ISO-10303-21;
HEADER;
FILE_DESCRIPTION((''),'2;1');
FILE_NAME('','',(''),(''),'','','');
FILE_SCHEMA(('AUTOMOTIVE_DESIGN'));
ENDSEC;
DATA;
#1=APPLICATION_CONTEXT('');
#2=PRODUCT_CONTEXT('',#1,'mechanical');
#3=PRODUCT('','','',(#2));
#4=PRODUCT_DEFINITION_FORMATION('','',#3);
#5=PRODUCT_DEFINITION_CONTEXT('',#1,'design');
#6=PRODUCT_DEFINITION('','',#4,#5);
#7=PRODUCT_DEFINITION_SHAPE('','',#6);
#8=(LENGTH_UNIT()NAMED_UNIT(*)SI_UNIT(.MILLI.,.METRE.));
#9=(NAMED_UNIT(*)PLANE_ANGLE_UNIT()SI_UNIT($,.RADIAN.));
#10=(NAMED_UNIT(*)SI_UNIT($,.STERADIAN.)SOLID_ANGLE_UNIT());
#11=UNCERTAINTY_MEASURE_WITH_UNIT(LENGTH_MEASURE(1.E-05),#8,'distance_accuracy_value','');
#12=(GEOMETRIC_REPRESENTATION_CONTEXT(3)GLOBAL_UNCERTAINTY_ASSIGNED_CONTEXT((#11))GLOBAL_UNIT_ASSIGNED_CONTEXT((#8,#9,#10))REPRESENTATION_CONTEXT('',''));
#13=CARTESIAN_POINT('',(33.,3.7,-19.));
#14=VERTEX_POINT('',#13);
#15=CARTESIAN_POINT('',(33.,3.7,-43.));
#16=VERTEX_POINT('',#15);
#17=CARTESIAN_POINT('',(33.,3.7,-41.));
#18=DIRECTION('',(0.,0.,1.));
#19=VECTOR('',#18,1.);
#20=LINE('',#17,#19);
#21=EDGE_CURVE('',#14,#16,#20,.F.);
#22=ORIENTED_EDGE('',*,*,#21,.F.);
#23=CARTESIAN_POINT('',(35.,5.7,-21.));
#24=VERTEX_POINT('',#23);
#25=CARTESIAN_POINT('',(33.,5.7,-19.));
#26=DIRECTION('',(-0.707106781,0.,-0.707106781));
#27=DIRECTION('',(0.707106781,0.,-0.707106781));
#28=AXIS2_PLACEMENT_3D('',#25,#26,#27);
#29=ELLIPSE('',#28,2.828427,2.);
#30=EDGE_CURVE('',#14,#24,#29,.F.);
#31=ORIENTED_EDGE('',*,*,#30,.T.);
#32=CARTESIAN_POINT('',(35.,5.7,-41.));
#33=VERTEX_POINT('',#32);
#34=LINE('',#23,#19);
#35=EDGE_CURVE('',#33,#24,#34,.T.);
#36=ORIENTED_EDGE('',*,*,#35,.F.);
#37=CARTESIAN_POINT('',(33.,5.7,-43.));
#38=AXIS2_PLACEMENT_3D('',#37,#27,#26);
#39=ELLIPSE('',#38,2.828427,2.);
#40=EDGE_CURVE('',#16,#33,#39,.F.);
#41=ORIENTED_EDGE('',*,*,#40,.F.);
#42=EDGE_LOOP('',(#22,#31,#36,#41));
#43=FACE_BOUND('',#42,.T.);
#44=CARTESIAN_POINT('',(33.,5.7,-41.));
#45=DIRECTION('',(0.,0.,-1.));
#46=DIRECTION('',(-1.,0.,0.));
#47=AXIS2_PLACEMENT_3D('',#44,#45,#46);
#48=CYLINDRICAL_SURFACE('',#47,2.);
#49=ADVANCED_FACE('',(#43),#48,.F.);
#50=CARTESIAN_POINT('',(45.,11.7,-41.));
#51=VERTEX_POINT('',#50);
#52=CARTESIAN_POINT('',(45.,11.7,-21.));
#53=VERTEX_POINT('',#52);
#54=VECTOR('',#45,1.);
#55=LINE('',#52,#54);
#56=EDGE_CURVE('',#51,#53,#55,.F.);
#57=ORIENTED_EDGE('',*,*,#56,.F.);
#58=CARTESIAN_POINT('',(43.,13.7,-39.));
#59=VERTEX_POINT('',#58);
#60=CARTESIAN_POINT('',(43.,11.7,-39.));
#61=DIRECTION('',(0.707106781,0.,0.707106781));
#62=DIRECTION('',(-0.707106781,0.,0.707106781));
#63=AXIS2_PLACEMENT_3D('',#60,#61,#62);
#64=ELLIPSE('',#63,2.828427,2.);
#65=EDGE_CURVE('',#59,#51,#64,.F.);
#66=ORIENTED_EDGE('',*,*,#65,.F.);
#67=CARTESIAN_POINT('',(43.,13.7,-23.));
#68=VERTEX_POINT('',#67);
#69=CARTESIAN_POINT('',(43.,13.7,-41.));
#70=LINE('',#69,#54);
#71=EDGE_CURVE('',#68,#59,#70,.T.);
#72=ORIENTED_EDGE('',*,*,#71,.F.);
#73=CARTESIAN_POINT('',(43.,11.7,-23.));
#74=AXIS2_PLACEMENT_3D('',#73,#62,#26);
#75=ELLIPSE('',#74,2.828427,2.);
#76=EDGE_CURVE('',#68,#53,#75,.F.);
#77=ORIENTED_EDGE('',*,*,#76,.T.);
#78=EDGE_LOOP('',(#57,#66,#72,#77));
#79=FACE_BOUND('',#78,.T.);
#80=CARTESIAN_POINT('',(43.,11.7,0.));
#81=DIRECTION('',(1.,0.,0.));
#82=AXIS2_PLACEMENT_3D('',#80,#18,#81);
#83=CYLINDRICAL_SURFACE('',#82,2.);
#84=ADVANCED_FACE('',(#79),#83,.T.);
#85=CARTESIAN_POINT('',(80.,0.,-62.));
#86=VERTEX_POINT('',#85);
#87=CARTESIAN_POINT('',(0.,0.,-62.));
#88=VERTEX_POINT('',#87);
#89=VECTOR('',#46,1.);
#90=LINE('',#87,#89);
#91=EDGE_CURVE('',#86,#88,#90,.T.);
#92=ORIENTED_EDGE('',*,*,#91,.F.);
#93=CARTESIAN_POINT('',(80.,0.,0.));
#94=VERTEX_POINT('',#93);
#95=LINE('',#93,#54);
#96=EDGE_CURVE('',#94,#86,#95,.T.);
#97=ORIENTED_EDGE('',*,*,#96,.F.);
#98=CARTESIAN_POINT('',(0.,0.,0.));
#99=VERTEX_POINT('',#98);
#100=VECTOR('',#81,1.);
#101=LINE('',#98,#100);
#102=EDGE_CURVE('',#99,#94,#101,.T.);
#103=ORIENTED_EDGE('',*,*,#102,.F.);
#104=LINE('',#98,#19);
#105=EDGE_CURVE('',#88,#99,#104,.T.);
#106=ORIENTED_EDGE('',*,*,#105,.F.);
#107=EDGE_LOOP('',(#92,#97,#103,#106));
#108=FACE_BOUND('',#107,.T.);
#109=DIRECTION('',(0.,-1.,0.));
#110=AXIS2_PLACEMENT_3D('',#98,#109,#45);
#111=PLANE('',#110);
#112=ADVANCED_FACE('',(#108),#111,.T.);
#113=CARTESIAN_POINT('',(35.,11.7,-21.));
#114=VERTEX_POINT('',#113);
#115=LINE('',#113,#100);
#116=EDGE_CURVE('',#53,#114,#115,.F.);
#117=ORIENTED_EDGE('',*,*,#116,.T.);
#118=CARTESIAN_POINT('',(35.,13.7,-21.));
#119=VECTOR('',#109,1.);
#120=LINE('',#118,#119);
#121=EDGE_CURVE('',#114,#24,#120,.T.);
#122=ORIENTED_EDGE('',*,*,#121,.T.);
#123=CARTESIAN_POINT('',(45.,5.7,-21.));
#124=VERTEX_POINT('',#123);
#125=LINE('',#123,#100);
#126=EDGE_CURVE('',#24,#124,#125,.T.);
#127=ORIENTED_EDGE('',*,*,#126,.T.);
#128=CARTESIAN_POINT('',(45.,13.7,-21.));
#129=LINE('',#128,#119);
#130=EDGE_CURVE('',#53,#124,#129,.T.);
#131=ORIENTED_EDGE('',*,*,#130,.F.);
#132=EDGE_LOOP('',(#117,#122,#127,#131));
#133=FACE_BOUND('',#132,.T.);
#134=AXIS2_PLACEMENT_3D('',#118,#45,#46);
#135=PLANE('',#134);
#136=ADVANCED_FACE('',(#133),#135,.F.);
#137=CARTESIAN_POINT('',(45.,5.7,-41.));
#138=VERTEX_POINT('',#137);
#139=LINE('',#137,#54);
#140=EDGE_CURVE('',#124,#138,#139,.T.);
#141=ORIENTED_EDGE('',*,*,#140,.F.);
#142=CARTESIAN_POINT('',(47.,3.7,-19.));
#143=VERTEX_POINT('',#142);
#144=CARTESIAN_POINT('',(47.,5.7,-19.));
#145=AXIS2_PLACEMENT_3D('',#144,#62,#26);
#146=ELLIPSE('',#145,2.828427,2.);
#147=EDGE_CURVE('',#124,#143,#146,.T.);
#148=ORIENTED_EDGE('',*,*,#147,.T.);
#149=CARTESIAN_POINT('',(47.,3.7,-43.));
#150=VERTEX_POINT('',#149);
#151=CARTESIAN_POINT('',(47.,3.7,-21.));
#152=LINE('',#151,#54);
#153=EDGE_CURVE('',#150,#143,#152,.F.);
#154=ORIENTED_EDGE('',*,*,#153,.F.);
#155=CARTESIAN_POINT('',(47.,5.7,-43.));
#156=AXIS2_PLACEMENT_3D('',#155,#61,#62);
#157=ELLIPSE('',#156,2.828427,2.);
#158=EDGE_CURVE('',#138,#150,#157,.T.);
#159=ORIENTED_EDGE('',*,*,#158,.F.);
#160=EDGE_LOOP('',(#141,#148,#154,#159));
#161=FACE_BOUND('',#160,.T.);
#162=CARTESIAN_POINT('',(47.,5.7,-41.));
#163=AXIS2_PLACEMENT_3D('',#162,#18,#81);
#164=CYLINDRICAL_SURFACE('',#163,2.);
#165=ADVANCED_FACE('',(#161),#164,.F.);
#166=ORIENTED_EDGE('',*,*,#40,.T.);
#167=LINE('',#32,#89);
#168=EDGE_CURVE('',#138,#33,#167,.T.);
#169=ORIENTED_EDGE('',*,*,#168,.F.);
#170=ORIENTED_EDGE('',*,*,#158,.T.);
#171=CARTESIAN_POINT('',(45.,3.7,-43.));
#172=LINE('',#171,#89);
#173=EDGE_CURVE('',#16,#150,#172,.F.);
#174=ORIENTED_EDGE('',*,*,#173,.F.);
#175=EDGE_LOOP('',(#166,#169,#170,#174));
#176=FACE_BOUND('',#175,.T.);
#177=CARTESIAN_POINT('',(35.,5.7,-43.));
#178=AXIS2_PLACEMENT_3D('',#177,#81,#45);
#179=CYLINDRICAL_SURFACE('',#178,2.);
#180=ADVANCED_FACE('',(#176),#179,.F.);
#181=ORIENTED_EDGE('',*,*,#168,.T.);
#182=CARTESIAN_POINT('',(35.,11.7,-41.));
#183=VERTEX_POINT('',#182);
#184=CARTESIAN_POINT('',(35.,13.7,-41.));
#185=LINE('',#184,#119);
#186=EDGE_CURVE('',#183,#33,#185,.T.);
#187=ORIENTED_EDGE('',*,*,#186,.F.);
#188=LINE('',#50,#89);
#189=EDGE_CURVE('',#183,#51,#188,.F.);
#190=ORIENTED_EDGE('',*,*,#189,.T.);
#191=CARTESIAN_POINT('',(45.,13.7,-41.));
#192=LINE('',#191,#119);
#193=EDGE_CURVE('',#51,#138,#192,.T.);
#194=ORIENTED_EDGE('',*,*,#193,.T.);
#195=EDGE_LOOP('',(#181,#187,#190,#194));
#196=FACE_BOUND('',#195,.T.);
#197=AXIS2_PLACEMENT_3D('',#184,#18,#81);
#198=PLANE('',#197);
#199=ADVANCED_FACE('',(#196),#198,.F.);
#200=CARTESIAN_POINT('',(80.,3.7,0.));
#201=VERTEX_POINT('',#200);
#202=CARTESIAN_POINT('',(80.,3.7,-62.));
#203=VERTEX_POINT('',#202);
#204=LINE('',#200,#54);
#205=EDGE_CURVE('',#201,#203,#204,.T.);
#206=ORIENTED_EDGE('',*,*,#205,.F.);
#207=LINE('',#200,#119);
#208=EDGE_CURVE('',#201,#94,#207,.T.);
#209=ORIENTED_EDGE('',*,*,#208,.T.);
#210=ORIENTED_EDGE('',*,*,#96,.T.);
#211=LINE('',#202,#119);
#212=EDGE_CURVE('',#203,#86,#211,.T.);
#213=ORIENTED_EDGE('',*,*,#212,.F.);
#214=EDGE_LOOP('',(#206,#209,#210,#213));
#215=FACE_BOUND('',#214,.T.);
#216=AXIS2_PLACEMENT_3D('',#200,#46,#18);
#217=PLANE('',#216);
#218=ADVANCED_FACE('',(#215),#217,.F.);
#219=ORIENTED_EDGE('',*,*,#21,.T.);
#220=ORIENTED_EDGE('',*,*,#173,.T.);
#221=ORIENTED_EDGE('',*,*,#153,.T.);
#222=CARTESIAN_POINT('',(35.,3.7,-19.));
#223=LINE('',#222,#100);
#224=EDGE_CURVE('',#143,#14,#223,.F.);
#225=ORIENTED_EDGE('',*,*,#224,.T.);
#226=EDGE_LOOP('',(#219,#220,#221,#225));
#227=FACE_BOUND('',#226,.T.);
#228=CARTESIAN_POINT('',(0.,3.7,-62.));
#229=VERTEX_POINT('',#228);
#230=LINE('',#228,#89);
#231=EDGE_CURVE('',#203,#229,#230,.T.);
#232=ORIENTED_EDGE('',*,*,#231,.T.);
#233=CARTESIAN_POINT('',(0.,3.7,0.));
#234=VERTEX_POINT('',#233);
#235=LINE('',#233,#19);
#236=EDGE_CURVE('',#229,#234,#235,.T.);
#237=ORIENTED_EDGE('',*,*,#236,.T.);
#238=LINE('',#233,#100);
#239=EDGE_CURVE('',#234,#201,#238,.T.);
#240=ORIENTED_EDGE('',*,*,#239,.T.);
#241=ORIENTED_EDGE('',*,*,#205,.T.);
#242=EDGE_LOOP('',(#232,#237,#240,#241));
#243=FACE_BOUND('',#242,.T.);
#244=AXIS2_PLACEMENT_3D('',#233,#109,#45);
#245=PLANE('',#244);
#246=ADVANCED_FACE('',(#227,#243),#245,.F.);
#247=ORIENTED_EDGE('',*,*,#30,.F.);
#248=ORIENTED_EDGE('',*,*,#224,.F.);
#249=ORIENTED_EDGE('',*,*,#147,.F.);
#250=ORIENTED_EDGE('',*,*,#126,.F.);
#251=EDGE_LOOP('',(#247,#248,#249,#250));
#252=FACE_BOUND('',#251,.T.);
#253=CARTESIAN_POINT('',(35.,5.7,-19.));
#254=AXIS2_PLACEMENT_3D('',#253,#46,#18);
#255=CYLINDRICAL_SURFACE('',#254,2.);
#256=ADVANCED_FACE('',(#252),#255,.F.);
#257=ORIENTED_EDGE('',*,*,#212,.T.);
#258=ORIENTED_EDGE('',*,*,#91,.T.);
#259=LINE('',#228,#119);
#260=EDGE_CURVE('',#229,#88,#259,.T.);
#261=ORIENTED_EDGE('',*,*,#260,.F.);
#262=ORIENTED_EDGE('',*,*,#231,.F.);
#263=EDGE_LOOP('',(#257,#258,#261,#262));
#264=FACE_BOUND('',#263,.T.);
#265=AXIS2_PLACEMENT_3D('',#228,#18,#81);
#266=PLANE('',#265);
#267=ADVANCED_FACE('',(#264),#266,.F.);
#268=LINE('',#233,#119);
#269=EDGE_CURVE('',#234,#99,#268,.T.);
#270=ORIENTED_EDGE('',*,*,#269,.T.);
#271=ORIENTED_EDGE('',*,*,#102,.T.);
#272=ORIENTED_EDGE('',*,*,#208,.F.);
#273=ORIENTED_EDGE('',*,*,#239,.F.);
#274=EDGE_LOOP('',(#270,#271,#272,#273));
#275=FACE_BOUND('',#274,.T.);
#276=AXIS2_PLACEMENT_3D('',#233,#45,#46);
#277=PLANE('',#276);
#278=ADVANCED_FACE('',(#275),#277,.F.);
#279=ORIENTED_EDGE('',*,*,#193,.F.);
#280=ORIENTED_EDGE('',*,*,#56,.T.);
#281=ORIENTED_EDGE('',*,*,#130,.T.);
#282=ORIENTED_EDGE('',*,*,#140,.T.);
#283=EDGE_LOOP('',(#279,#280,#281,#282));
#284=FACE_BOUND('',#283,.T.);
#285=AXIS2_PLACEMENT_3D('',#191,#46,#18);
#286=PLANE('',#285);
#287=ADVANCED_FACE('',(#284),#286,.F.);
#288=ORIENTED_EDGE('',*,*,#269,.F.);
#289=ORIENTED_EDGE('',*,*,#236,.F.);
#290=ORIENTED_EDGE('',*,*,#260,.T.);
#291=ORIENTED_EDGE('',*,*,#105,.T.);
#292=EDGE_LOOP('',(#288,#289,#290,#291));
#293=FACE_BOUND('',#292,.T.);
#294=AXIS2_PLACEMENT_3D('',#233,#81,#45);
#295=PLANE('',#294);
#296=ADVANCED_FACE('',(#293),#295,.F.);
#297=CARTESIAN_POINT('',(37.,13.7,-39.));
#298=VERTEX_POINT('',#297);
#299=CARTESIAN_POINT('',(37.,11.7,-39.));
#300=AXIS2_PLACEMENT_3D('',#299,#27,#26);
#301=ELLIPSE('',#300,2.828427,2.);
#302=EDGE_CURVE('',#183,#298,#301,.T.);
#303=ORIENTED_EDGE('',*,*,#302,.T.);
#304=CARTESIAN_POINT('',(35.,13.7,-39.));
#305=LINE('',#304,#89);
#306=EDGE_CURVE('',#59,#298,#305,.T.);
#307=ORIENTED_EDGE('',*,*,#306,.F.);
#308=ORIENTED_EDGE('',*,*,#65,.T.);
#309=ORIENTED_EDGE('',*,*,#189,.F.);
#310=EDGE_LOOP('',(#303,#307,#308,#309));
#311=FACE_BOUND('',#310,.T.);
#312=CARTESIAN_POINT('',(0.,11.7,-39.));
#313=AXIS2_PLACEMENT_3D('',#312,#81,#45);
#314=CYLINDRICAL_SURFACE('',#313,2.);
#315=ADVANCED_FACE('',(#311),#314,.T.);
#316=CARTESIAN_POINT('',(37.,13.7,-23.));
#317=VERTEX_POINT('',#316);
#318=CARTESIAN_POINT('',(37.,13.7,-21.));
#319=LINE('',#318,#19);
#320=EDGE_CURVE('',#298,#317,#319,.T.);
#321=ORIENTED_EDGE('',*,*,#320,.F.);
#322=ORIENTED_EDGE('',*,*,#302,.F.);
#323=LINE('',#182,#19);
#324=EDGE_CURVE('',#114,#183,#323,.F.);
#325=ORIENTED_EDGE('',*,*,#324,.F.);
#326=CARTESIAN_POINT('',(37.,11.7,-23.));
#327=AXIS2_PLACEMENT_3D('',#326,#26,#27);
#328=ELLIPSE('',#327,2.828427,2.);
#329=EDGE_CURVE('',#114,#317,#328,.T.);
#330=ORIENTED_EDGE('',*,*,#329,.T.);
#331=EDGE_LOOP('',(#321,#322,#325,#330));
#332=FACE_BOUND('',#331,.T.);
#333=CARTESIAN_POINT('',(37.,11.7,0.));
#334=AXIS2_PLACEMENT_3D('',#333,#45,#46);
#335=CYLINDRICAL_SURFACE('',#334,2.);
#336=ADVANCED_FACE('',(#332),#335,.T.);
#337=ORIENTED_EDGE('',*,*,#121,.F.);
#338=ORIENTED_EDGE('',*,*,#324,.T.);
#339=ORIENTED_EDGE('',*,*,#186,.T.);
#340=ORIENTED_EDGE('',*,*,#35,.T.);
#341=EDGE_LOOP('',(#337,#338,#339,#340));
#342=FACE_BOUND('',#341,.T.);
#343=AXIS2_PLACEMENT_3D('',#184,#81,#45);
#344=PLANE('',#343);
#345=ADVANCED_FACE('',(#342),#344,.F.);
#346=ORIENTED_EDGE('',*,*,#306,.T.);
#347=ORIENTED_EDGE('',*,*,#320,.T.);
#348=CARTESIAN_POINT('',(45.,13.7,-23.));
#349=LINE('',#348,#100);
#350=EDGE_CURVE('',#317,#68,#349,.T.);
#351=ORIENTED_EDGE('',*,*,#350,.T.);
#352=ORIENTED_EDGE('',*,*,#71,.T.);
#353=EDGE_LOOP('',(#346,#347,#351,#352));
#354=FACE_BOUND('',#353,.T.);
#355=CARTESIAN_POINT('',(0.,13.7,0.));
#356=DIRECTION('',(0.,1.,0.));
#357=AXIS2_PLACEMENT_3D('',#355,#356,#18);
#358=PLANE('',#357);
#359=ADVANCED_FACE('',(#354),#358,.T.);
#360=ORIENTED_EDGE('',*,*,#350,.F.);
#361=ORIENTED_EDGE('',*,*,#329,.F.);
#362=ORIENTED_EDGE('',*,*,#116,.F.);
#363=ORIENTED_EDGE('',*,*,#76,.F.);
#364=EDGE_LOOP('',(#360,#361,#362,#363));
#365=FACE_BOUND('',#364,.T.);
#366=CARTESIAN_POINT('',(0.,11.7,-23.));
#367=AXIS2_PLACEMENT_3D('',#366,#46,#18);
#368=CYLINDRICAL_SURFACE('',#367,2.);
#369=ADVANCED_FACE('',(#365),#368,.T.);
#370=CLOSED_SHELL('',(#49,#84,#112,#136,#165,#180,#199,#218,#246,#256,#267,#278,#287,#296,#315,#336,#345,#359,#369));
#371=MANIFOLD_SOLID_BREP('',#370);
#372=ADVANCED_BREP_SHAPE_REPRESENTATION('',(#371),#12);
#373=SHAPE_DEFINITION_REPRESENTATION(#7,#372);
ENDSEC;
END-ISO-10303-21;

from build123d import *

# Parameters (mm, degrees)
SKETCH1_W           = 80
SKETCH1_H           = 62
BOSS_EXTRUDE1_DEPTH = 3.7
SKETCH2_W           = 10
SKETCH2_H           = 20
BOSS_EXTRUDE2_DEPTH = 10
FILLET1_R           = 2
FILLET2_R           = 2


with BuildPart() as part:
    # Sketch1 → Boss-Extrude1 (new body)
    with BuildSketch(Plane(origin=(0, 0, 0), x_dir=(1, 0, 0), z_dir=(0, 1, 0))):
        with Locations((40, 31)):
            Rectangle(SKETCH1_W, SKETCH1_H)
    extrude(amount=BOSS_EXTRUDE1_DEPTH)

    # Sketch2 → Boss-Extrude2 (add)
    with BuildSketch(Plane(origin=(0, 3.7, 0), x_dir=(1, 0, 0), z_dir=(0, 1, 0))):
        with Locations((40, 31)):
            Rectangle(SKETCH2_W, SKETCH2_H)
    extrude(amount=BOSS_EXTRUDE2_DEPTH)

    # Fillet1
    fillet1_edges = [part.edges().sort_by_distance(p)[0] for p in [
        (35, 3.7, -31),
        (40, 3.7, -21),
        (45, 3.7, -31),
        (40, 3.7, -41),
    ]]
    fillet(fillet1_edges, radius=FILLET1_R)

    # Fillet2
    fillet2_edges = [part.edges().sort_by_distance(p)[0] for p in [
        (35, 13.7, -31),
        (40, 13.7, -21),
        (45, 13.7, -31),
        (40, 13.7, -41),
    ]]
    fillet(fillet2_edges, radius=FILLET2_R)


solid = part.part
